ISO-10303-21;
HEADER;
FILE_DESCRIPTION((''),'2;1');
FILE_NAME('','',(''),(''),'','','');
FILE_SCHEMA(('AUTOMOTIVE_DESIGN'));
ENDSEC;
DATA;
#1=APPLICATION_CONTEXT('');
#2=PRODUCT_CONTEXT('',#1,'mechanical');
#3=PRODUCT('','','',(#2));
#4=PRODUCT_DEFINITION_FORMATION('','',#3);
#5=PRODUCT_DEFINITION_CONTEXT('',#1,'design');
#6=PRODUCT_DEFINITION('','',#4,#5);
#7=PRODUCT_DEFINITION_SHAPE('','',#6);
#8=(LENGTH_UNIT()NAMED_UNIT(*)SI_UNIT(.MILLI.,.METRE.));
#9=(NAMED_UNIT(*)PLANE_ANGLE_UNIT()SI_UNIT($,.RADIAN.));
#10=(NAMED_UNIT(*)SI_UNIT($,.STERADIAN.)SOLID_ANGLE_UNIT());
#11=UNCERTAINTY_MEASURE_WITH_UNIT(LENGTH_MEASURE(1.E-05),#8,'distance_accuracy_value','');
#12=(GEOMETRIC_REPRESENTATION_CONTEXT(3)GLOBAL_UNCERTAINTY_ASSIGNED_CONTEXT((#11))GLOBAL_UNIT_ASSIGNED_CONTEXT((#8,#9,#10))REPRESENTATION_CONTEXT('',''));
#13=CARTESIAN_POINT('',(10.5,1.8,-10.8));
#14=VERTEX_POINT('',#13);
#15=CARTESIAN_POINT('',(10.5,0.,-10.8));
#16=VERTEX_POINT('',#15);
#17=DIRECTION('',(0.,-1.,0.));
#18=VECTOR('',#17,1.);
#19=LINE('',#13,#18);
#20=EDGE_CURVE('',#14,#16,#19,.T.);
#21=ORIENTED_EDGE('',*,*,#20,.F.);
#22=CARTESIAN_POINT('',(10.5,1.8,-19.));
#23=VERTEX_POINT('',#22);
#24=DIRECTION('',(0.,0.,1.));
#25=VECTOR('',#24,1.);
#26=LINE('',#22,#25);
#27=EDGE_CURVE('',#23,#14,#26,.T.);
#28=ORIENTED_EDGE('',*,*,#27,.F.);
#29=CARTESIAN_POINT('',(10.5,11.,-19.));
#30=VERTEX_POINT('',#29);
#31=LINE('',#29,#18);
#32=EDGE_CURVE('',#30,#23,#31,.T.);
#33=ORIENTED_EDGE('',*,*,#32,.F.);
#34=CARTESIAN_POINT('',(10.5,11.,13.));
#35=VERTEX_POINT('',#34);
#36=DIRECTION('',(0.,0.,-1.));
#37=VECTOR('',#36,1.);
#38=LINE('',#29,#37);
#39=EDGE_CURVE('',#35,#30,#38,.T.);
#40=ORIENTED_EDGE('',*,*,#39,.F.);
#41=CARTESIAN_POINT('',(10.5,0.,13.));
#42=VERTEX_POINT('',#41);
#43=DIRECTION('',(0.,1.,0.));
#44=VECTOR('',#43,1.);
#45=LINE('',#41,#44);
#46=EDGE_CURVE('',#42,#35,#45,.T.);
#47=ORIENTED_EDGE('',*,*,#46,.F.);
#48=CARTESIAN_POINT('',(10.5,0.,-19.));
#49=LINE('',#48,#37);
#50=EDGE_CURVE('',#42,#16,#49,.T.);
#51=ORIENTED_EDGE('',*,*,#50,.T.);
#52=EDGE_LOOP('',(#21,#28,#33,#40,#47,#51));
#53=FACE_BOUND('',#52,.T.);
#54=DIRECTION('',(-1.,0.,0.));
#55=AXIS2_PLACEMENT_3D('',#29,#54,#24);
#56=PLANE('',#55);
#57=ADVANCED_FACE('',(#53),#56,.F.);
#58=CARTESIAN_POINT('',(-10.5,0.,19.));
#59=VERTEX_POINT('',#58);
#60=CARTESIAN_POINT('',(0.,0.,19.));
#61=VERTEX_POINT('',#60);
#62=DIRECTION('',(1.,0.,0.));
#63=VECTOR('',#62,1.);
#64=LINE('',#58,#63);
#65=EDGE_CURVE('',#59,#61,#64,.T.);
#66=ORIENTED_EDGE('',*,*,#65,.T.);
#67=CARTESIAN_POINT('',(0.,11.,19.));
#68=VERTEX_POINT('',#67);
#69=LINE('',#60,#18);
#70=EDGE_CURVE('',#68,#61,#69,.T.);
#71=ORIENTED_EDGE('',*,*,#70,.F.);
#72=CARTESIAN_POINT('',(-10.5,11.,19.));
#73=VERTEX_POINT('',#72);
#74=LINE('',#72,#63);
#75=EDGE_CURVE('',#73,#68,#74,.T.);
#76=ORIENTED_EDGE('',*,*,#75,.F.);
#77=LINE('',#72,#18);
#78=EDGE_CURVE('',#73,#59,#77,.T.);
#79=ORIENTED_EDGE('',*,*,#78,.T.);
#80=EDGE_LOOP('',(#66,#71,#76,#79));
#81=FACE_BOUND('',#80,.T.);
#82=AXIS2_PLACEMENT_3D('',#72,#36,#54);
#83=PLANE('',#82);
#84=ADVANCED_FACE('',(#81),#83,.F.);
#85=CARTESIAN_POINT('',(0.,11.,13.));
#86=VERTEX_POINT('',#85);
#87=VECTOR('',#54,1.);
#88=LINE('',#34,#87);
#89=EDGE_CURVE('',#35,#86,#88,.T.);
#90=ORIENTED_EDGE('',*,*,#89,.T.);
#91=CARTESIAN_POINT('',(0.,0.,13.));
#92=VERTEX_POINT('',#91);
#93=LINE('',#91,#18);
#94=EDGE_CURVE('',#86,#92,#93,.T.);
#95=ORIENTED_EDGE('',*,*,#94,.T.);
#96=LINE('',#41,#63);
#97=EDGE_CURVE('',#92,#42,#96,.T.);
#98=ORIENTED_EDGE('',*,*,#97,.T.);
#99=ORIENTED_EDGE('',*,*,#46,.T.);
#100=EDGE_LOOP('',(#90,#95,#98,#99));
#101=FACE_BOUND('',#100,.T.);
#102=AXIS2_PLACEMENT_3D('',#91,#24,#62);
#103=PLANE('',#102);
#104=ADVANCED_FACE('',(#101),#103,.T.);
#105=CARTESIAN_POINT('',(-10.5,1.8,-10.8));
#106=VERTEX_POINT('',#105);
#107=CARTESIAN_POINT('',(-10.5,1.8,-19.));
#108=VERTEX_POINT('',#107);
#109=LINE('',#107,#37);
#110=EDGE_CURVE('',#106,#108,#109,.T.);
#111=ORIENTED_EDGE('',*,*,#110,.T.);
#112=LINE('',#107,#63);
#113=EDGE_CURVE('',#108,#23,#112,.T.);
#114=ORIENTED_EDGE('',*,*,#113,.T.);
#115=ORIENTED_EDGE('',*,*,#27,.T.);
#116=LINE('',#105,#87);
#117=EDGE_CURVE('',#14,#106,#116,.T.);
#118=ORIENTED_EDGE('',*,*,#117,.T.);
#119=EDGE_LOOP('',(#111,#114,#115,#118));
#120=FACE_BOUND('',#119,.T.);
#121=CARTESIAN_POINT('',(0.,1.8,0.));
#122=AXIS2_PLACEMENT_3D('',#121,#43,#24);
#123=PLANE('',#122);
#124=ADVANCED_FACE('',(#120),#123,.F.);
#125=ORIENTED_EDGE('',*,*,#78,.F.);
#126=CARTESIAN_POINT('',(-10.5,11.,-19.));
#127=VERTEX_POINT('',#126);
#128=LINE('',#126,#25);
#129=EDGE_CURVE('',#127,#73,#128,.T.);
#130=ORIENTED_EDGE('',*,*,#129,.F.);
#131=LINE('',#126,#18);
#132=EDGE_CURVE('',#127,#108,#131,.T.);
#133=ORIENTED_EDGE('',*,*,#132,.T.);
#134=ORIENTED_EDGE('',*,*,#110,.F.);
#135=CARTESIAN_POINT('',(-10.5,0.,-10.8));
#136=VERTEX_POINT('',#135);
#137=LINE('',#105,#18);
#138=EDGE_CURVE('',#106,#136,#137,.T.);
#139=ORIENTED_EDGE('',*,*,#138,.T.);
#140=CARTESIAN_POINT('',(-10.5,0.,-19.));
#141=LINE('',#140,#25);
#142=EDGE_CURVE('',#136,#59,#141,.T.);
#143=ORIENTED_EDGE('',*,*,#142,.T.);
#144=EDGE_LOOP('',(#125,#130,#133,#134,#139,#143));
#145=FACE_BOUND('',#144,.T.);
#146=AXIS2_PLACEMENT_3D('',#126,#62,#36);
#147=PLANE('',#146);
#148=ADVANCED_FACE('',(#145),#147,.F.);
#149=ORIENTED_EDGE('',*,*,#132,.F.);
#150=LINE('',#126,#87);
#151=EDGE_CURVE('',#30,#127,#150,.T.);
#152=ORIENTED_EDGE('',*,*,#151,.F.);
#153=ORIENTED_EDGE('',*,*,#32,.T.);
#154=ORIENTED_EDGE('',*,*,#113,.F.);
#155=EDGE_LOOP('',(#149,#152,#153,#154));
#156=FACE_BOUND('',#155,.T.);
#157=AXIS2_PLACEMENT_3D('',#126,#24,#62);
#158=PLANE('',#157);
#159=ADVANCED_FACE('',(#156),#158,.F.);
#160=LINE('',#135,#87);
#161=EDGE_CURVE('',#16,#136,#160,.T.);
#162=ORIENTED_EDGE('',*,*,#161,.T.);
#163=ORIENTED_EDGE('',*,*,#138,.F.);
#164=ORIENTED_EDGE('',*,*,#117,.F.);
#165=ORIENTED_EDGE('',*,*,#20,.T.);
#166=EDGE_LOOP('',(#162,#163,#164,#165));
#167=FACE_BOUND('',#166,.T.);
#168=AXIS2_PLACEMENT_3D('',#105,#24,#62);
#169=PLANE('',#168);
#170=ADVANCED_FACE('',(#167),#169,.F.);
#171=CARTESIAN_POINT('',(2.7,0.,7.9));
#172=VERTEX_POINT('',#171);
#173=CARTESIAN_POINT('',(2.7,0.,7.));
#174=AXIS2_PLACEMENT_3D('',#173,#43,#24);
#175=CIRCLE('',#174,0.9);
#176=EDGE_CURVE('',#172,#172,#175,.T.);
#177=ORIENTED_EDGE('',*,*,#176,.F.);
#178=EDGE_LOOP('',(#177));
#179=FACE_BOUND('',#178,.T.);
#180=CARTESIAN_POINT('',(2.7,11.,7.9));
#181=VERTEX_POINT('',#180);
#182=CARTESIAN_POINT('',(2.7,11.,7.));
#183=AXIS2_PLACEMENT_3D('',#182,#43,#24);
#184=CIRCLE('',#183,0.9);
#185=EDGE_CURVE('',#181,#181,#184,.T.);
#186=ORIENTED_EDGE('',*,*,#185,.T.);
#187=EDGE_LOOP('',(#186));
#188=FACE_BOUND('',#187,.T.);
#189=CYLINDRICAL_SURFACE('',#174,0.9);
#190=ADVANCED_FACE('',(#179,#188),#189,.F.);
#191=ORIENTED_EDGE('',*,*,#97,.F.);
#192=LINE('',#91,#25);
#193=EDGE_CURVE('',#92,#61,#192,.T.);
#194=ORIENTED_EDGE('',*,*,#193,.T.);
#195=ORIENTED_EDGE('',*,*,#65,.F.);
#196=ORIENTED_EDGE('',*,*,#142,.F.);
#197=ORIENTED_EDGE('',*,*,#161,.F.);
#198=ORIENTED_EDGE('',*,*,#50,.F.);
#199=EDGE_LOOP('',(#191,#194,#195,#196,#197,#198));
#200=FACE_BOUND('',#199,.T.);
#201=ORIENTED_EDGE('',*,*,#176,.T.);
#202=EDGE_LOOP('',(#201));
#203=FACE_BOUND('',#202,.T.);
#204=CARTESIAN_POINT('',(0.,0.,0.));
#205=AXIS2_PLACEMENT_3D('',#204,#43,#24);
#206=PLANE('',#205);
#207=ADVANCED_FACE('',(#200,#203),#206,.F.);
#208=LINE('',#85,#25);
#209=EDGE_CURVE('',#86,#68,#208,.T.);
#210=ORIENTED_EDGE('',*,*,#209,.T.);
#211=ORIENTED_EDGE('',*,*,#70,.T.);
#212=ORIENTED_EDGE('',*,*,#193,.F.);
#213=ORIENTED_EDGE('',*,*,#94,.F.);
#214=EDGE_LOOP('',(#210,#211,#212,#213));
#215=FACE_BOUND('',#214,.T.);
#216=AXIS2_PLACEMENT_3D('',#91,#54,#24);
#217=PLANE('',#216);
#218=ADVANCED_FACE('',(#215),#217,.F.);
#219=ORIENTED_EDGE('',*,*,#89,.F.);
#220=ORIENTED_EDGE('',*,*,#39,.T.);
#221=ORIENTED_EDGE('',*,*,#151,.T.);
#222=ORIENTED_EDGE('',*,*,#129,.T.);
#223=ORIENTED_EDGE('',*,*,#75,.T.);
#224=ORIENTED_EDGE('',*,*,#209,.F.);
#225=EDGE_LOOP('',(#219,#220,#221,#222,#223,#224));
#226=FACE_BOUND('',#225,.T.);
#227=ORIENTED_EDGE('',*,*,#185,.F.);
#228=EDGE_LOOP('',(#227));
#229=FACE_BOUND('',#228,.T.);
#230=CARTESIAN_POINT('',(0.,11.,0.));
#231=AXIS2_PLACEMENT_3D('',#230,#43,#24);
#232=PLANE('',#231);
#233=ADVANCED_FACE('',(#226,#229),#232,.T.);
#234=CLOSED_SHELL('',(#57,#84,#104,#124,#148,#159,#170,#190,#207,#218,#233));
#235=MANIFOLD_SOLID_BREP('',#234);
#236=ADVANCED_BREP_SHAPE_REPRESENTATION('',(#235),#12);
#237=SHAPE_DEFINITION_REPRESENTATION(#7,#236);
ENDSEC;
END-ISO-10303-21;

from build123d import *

# Parameters (mm, degrees)
SKETCH_1_W          = 21
SKETCH_1_H          = 38
EXTRUDE_1_DEPTH     = 11
SKETCH_2_W          = 21
SKETCH_2_H          = 8.2
CUT_EXTRUDE_1_DEPTH = 1.8
SKETCH_3_W          = 10.5
SKETCH_3_H          = 11
CUT_EXTRUDE_2_DEPTH = 6
SKETCH_5_R          = 0.9
CUT_EXTRUDE_3_DEPTH = 12


with BuildPart() as part:
    # 草图1 → 凸台-拉伸1 (new body)
    with BuildSketch(Plane(origin=(0, 0, 0), x_dir=(1, 0, 0), z_dir=(0, 1, 0))):
        Rectangle(SKETCH_1_W, SKETCH_1_H)
    extrude(amount=EXTRUDE_1_DEPTH)

    # 草图2 → 切除-拉伸1 (cut)
    with BuildSketch(Plane.XZ):
        with Locations((0, -14.9)):
            Rectangle(SKETCH_2_W, SKETCH_2_H)
    extrude(amount=-CUT_EXTRUDE_1_DEPTH, mode=Mode.SUBTRACT)

    # 草图3 → 切除-拉伸2 (cut)
    with BuildSketch(Plane.XY.offset(19)):
        with Locations((5.25, 5.5)):
            Rectangle(SKETCH_3_W, SKETCH_3_H)
    extrude(amount=-CUT_EXTRUDE_2_DEPTH, mode=Mode.SUBTRACT)

    # 草图5 → 切除-拉伸3 (cut, through all)
    with BuildSketch(Plane(origin=(0, 11, 0), x_dir=(1, 0, 0), z_dir=(0, 1, 0))):
        with Locations((2.7, -7)):
            Circle(SKETCH_5_R)
    extrude(amount=-CUT_EXTRUDE_3_DEPTH, mode=Mode.SUBTRACT)


solid = part.part
